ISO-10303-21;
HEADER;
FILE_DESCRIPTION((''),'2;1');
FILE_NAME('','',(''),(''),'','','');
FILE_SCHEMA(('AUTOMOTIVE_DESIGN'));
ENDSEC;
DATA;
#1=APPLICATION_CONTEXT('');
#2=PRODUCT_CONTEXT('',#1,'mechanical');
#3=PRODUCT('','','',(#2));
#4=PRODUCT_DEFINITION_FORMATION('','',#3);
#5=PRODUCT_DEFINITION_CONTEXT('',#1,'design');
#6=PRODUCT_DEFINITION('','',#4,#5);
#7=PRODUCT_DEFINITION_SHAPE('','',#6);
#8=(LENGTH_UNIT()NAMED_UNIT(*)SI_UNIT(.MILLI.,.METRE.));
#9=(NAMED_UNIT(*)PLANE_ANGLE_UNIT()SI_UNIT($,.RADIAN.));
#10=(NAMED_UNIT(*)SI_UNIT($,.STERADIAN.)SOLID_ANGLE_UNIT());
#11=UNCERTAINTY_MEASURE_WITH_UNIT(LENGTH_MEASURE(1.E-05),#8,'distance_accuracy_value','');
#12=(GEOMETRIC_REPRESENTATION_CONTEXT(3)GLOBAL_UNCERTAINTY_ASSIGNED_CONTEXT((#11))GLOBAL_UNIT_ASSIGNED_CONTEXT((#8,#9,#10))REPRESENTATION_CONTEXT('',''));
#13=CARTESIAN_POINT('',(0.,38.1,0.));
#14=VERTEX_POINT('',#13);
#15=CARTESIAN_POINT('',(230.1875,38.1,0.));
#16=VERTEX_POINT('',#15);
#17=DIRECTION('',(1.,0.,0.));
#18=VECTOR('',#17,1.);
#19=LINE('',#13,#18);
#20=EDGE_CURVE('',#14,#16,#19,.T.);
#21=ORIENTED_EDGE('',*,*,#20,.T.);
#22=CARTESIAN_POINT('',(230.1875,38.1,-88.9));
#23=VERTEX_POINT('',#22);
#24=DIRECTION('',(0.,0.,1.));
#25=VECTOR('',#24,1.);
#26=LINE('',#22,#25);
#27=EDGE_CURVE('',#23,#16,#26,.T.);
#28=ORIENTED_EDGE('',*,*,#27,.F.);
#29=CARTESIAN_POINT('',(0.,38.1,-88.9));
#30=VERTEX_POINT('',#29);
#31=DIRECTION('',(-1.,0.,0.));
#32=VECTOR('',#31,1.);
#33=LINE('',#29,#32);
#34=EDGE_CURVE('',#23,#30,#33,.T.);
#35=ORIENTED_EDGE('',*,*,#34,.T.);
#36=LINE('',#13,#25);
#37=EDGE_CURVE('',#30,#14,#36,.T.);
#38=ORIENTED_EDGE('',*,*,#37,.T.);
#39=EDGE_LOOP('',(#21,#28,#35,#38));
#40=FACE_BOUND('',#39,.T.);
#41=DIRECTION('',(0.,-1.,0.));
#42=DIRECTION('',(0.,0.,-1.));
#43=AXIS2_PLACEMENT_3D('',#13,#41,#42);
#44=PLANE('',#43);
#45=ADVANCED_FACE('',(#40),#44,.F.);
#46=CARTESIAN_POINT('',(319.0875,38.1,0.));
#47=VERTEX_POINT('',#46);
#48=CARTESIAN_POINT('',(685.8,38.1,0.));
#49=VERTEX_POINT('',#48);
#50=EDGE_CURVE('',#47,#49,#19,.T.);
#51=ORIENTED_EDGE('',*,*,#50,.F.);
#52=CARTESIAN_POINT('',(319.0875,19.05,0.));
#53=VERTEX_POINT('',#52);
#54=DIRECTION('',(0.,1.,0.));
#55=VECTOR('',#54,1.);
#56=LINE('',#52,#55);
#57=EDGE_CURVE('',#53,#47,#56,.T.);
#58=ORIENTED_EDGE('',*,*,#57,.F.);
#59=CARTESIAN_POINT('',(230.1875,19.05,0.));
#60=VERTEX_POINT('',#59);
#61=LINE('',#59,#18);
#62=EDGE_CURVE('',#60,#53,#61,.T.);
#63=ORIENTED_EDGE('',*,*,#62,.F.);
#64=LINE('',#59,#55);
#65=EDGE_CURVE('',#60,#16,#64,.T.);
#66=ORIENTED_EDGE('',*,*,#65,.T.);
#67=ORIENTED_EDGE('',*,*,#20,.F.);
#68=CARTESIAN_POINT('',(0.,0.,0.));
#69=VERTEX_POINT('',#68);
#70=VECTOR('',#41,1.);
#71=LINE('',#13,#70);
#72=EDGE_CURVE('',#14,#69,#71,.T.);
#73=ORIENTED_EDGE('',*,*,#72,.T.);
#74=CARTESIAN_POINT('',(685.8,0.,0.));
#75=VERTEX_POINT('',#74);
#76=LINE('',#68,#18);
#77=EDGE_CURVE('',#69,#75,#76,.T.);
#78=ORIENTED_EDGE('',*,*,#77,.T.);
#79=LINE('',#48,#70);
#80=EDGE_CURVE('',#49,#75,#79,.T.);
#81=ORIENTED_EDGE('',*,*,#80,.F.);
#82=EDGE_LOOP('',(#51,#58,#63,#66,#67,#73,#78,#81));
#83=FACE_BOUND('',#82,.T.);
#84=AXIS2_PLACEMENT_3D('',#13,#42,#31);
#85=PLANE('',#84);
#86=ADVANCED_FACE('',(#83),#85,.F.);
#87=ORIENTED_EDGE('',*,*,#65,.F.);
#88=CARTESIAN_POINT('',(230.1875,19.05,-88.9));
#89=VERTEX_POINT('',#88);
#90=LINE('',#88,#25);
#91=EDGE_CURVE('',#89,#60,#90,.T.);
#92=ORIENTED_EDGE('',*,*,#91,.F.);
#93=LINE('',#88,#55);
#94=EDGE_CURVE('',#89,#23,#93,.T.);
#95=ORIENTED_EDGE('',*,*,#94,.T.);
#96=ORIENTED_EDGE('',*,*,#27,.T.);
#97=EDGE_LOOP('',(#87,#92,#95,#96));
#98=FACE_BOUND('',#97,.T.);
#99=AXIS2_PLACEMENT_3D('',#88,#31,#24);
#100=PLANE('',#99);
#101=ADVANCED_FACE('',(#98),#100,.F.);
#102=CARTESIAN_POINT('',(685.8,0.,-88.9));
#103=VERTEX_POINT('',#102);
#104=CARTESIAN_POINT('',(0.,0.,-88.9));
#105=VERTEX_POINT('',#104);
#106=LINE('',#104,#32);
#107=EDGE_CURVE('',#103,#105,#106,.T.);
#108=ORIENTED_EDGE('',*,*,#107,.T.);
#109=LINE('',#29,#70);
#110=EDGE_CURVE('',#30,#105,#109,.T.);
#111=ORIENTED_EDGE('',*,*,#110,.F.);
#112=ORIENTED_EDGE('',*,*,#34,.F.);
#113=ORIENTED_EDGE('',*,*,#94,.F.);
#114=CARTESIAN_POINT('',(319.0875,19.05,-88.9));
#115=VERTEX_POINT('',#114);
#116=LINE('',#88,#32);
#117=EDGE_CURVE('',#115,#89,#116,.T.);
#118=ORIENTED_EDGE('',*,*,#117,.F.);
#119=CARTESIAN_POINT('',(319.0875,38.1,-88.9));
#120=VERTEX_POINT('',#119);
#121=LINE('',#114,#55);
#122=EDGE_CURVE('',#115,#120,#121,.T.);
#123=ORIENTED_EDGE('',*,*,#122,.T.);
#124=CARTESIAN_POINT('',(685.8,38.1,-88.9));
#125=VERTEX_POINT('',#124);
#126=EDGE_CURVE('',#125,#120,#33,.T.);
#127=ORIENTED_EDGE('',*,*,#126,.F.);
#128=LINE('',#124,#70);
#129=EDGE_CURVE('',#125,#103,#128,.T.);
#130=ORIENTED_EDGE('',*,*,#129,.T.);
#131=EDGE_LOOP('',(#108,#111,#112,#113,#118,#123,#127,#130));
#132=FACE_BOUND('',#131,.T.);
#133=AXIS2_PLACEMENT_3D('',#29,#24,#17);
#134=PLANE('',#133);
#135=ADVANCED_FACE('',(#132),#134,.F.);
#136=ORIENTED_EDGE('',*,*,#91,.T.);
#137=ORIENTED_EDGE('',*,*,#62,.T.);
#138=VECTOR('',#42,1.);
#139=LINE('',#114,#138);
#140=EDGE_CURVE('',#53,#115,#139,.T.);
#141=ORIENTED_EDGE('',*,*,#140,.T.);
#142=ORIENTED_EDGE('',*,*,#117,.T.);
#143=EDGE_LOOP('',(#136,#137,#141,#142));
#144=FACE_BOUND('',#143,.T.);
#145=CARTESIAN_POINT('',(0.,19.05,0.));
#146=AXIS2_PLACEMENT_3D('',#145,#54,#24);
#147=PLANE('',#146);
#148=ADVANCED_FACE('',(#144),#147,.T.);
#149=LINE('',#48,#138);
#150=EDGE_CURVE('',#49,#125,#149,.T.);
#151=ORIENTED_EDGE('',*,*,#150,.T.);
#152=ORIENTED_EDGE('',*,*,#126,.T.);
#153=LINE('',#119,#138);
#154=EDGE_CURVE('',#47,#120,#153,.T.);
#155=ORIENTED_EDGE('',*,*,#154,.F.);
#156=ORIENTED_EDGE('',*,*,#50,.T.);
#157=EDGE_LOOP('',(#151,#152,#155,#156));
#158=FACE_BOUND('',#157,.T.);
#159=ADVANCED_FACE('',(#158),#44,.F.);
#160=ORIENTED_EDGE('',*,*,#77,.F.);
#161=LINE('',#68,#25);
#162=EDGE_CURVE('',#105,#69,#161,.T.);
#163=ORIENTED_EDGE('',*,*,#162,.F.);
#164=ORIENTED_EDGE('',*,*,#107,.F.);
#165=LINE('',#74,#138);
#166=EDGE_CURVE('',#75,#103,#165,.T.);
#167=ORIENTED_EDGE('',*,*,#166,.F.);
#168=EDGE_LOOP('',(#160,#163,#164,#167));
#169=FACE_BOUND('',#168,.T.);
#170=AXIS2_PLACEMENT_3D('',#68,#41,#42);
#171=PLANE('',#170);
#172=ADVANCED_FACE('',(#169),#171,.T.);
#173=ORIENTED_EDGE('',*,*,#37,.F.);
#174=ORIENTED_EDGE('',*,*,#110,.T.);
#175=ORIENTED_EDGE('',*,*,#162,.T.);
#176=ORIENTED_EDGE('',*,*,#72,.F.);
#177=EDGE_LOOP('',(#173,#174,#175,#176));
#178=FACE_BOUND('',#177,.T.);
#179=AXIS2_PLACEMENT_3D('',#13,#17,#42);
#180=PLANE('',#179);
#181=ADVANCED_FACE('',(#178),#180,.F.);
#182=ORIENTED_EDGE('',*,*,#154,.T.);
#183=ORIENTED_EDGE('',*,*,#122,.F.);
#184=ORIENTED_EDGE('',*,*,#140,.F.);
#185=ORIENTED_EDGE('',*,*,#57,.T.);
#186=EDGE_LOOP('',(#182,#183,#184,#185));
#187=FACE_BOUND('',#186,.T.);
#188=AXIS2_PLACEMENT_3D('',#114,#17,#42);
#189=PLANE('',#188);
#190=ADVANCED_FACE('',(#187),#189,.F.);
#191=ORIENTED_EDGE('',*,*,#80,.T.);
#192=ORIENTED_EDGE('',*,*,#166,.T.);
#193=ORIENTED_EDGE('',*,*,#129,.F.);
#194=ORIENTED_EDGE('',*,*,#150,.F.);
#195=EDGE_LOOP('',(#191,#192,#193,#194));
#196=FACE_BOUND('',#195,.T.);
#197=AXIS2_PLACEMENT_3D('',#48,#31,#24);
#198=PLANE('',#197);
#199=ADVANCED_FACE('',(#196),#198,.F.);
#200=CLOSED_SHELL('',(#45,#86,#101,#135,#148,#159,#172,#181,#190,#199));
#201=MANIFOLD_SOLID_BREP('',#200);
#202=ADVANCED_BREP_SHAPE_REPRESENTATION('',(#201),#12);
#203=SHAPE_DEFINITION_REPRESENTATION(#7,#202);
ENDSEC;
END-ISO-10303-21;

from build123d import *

# Parameters (mm, degrees)
SKETCH1_W           = 685.8
SKETCH1_H           = 88.9
BOSS_EXTRUDE1_DEPTH = 38.1
SKETCH2_W           = 88.9
SKETCH2_H           = 88.9
CUT_EXTRUDE1_DEPTH  = 19.05


with BuildPart() as part:
    # Sketch1 → Boss-Extrude1 (new body)
    with BuildSketch(Plane(origin=(0, 0, 0), x_dir=(1, 0, 0), z_dir=(0, 1, 0))):
        with Locations((342.9, 44.45)):
            Rectangle(SKETCH1_W, SKETCH1_H)
    extrude(amount=BOSS_EXTRUDE1_DEPTH)

    # Sketch2 → Cut-Extrude1 (cut)
    with BuildSketch(Plane(origin=(0, 38.1, 0), x_dir=(1, 0, 0), z_dir=(0, 1, 0))):
        with Locations((274.6375, 44.45)):
            Rectangle(SKETCH2_W, SKETCH2_H)
    extrude(amount=-CUT_EXTRUDE1_DEPTH, mode=Mode.SUBTRACT)


solid = part.part
